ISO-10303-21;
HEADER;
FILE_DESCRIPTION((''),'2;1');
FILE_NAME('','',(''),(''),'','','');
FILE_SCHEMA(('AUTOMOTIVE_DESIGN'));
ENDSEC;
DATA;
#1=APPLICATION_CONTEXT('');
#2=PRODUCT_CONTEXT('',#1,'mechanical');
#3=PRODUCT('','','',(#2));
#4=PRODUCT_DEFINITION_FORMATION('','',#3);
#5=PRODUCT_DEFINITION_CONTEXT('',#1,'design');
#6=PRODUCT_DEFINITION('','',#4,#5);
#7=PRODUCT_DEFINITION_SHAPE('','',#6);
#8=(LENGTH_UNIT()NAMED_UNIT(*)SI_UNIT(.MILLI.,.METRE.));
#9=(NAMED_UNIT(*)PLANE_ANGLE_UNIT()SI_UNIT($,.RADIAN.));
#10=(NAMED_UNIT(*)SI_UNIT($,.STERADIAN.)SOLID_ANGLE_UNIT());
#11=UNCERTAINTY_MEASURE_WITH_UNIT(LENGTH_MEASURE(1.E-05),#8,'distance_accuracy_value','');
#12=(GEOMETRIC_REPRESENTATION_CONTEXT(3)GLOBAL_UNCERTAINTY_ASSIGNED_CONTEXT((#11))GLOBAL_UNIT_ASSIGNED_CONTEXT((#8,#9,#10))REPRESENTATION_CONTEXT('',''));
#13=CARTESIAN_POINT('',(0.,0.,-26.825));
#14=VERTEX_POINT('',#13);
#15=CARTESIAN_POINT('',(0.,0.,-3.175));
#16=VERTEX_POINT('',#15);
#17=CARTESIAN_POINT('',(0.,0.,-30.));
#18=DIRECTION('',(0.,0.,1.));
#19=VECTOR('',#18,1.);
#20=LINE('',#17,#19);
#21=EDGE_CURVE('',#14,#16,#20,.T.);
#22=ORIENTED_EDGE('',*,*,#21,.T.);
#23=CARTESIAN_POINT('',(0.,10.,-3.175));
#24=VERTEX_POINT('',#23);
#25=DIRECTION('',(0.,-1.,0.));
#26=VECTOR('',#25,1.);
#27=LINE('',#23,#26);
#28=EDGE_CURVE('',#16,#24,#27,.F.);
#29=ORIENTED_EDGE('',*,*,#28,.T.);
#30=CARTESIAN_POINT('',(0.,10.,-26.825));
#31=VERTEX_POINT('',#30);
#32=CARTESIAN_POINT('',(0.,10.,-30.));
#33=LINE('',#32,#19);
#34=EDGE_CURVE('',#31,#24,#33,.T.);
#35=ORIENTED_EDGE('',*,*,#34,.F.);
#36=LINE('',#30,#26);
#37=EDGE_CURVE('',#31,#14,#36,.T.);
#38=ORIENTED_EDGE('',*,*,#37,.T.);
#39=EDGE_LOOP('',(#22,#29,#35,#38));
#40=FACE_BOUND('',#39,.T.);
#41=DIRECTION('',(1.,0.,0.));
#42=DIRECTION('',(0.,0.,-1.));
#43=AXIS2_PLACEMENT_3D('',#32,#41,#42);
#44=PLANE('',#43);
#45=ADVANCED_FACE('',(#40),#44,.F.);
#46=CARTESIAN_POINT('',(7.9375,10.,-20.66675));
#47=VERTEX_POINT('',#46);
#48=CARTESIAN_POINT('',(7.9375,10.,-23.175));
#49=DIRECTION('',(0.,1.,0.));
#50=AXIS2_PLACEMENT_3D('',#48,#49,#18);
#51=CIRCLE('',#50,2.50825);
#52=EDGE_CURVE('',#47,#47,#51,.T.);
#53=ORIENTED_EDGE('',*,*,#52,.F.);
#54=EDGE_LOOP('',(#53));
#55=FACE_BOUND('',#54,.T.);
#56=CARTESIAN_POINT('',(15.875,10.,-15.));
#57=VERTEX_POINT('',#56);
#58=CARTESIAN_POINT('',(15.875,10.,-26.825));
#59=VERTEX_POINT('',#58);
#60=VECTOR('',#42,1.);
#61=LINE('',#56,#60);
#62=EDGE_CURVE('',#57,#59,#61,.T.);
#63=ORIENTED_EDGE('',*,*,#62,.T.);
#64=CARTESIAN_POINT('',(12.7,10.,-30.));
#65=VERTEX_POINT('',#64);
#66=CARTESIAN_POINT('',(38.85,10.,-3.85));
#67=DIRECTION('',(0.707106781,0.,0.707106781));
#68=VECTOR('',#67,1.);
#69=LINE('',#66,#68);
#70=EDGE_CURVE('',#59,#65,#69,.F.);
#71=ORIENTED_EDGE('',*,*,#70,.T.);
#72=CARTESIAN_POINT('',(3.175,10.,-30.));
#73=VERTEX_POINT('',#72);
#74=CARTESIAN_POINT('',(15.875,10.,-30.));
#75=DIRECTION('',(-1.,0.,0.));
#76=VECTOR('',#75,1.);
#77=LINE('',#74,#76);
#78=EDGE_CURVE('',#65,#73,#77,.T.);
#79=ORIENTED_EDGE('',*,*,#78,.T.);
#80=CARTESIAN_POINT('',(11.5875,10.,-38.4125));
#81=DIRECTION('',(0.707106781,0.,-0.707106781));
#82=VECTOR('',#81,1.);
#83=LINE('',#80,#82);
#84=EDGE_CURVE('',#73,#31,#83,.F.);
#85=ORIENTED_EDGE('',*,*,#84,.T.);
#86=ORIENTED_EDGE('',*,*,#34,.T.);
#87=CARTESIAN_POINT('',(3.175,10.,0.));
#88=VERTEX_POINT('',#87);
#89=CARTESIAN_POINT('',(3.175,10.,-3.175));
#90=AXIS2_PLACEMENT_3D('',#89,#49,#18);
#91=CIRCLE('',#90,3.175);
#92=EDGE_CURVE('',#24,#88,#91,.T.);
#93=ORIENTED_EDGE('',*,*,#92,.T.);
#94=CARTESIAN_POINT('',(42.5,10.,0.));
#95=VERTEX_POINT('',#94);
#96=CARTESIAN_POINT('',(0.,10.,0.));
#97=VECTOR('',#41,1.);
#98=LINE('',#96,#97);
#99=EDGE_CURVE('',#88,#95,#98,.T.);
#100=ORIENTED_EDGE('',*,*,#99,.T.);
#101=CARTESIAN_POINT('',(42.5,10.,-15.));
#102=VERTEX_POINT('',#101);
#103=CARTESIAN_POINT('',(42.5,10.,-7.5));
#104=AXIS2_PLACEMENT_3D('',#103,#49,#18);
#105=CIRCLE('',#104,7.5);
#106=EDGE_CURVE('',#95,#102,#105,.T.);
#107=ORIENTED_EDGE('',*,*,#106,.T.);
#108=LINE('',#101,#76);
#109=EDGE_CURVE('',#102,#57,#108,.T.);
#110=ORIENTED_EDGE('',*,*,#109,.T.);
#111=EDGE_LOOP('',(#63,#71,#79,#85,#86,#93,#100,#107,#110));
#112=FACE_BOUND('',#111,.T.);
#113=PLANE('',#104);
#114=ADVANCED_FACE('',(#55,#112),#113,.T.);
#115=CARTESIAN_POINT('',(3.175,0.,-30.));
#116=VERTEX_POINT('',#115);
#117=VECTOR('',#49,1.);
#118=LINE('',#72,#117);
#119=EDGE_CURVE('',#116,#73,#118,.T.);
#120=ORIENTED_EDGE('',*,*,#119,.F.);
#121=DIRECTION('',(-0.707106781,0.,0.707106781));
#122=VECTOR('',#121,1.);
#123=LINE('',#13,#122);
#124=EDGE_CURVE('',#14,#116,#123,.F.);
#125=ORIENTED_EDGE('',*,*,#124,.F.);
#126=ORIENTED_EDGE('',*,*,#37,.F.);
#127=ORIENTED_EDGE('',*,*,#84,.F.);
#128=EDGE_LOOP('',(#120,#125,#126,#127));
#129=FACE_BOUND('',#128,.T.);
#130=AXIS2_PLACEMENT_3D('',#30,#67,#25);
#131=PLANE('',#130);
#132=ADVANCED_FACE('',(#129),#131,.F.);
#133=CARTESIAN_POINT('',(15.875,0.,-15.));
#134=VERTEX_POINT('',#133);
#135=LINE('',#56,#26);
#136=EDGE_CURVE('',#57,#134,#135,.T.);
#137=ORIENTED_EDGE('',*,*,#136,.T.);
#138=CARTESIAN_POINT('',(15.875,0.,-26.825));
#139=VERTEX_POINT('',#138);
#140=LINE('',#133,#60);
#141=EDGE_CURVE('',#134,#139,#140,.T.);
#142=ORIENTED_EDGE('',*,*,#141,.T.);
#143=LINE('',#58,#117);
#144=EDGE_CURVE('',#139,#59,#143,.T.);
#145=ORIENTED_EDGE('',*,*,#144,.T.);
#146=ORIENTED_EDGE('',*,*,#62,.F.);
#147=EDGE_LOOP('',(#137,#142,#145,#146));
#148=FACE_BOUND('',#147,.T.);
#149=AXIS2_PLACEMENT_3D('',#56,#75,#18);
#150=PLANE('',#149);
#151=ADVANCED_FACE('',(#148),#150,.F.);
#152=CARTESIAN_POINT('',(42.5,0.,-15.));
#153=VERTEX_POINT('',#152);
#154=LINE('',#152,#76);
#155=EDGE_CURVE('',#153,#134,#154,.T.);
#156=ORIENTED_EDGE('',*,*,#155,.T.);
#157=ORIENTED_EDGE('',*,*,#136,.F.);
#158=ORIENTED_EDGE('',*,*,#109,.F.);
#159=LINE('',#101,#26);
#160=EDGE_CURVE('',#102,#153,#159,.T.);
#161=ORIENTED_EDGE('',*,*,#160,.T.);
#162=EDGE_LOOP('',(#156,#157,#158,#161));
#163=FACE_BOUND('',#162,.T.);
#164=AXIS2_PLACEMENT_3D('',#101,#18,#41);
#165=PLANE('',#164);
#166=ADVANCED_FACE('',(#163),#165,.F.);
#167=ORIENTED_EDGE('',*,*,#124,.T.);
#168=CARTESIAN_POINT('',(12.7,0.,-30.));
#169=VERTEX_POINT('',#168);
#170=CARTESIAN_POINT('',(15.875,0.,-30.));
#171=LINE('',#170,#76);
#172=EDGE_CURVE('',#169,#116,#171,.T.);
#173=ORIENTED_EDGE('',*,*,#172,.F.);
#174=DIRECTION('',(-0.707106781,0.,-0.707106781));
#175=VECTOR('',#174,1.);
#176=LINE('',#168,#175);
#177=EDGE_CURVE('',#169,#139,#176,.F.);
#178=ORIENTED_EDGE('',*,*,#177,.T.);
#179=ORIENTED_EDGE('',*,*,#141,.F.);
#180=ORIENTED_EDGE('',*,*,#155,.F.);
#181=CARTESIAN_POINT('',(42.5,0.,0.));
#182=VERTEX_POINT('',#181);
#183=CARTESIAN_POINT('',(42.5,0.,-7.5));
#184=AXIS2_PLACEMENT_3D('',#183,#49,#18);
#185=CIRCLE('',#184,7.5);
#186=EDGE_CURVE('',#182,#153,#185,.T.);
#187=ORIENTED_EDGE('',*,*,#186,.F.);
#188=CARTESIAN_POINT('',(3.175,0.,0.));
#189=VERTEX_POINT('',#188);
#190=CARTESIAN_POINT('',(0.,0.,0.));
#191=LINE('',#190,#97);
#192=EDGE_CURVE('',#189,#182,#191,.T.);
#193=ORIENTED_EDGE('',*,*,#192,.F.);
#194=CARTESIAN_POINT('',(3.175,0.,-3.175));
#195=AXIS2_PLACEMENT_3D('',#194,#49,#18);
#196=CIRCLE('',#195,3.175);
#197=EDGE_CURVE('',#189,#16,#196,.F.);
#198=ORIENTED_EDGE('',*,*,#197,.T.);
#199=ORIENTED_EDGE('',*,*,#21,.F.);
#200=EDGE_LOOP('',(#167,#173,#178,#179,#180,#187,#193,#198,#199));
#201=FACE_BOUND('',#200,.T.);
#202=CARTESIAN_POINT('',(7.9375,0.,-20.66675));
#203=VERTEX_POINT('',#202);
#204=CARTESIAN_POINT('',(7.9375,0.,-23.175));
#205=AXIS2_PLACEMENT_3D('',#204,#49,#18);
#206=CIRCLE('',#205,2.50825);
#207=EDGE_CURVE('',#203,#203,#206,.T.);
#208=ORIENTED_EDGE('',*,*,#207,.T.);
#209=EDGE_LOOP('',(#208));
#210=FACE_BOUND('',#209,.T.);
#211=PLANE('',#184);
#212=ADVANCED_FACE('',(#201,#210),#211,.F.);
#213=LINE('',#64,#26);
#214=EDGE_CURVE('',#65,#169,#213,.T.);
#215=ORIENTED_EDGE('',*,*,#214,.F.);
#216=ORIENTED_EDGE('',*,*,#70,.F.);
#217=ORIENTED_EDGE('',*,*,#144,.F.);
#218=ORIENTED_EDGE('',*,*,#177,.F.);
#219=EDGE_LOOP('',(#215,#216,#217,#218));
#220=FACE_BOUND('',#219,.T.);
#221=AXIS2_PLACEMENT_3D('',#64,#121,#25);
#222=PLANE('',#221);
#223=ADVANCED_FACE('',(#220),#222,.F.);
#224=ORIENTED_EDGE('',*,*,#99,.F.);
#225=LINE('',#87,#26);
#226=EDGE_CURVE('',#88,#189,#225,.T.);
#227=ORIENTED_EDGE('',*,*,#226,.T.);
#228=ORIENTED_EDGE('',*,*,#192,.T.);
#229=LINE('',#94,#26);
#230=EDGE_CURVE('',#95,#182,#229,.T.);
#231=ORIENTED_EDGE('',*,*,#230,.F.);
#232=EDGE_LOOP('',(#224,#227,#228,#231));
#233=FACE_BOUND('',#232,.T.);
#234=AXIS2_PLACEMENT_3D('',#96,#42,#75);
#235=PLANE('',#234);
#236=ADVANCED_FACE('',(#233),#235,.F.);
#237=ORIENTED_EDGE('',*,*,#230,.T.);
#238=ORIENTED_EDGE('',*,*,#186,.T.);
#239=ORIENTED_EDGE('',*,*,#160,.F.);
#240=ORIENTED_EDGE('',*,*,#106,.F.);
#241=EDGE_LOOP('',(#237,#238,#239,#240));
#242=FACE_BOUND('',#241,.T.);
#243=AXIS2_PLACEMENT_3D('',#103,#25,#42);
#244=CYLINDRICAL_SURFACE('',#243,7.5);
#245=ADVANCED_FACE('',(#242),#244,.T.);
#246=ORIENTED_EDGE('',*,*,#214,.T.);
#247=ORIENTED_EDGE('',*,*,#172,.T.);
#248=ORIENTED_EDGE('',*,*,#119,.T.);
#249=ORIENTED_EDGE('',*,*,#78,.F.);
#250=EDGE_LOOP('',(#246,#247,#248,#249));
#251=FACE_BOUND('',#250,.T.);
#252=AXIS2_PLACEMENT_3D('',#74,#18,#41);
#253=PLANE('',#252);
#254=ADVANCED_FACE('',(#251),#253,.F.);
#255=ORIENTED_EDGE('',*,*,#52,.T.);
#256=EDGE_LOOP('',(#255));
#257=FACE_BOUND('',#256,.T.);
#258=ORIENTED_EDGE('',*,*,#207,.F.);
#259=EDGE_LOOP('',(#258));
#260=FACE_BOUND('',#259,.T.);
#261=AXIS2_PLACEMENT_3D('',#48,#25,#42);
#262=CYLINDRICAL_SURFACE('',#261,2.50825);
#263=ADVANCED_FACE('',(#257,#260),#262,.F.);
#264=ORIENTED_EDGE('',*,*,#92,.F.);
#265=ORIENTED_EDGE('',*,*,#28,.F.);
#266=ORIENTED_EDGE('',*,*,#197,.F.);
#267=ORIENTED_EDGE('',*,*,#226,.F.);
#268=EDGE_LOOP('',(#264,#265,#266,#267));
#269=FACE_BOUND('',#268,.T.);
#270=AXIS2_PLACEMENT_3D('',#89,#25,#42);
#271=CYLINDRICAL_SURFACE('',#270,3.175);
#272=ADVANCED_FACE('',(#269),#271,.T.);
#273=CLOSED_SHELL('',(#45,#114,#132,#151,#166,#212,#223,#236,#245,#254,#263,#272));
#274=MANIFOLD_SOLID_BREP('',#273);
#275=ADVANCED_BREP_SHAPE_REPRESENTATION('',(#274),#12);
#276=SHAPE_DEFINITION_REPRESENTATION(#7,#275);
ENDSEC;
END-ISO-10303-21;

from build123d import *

# Parameters (mm, degrees)
SKETCH1_R           = 2.50825
BOSS_EXTRUDE1_DEPTH = 10
FILLET1_R           = 3.175
CHAMFER1_SIZE       = 3.175


with BuildPart() as part:
    # Sketch1 → Boss-Extrude1 (new body)
    with BuildSketch(Plane(origin=(0, 0, 0), x_dir=(1, 0, 0), z_dir=(0, 1, 0))):
        with BuildLine():
            Line((0, 30), (0, 0))
            Line((0, 0), (42.5, 0))
            ThreePointArc((42.5, 0), (50, 7.5), (42.5, 15))
            Line((42.5, 15), (15.875, 15))
            Line((15.875, 15), (15.875, 30))
            Line((15.875, 30), (0, 30))
        make_face()
        with Locations((7.9375, 23.175)):
            Circle(SKETCH1_R, mode=Mode.SUBTRACT)
    extrude(amount=BOSS_EXTRUDE1_DEPTH)

    # Fillet1
    fillet1_edges = [part.edges().sort_by_distance(p)[0] for p in [
        (0, 5, 0),
    ]]
    fillet(fillet1_edges, radius=FILLET1_R)

    # Chamfer1
    chamfer1_edges = [part.edges().sort_by_distance(p)[0] for p in [
        (15.875, 5, -30),
        (0, 5, -30),
    ]]
    chamfer(chamfer1_edges, length=CHAMFER1_SIZE)


solid = part.part
